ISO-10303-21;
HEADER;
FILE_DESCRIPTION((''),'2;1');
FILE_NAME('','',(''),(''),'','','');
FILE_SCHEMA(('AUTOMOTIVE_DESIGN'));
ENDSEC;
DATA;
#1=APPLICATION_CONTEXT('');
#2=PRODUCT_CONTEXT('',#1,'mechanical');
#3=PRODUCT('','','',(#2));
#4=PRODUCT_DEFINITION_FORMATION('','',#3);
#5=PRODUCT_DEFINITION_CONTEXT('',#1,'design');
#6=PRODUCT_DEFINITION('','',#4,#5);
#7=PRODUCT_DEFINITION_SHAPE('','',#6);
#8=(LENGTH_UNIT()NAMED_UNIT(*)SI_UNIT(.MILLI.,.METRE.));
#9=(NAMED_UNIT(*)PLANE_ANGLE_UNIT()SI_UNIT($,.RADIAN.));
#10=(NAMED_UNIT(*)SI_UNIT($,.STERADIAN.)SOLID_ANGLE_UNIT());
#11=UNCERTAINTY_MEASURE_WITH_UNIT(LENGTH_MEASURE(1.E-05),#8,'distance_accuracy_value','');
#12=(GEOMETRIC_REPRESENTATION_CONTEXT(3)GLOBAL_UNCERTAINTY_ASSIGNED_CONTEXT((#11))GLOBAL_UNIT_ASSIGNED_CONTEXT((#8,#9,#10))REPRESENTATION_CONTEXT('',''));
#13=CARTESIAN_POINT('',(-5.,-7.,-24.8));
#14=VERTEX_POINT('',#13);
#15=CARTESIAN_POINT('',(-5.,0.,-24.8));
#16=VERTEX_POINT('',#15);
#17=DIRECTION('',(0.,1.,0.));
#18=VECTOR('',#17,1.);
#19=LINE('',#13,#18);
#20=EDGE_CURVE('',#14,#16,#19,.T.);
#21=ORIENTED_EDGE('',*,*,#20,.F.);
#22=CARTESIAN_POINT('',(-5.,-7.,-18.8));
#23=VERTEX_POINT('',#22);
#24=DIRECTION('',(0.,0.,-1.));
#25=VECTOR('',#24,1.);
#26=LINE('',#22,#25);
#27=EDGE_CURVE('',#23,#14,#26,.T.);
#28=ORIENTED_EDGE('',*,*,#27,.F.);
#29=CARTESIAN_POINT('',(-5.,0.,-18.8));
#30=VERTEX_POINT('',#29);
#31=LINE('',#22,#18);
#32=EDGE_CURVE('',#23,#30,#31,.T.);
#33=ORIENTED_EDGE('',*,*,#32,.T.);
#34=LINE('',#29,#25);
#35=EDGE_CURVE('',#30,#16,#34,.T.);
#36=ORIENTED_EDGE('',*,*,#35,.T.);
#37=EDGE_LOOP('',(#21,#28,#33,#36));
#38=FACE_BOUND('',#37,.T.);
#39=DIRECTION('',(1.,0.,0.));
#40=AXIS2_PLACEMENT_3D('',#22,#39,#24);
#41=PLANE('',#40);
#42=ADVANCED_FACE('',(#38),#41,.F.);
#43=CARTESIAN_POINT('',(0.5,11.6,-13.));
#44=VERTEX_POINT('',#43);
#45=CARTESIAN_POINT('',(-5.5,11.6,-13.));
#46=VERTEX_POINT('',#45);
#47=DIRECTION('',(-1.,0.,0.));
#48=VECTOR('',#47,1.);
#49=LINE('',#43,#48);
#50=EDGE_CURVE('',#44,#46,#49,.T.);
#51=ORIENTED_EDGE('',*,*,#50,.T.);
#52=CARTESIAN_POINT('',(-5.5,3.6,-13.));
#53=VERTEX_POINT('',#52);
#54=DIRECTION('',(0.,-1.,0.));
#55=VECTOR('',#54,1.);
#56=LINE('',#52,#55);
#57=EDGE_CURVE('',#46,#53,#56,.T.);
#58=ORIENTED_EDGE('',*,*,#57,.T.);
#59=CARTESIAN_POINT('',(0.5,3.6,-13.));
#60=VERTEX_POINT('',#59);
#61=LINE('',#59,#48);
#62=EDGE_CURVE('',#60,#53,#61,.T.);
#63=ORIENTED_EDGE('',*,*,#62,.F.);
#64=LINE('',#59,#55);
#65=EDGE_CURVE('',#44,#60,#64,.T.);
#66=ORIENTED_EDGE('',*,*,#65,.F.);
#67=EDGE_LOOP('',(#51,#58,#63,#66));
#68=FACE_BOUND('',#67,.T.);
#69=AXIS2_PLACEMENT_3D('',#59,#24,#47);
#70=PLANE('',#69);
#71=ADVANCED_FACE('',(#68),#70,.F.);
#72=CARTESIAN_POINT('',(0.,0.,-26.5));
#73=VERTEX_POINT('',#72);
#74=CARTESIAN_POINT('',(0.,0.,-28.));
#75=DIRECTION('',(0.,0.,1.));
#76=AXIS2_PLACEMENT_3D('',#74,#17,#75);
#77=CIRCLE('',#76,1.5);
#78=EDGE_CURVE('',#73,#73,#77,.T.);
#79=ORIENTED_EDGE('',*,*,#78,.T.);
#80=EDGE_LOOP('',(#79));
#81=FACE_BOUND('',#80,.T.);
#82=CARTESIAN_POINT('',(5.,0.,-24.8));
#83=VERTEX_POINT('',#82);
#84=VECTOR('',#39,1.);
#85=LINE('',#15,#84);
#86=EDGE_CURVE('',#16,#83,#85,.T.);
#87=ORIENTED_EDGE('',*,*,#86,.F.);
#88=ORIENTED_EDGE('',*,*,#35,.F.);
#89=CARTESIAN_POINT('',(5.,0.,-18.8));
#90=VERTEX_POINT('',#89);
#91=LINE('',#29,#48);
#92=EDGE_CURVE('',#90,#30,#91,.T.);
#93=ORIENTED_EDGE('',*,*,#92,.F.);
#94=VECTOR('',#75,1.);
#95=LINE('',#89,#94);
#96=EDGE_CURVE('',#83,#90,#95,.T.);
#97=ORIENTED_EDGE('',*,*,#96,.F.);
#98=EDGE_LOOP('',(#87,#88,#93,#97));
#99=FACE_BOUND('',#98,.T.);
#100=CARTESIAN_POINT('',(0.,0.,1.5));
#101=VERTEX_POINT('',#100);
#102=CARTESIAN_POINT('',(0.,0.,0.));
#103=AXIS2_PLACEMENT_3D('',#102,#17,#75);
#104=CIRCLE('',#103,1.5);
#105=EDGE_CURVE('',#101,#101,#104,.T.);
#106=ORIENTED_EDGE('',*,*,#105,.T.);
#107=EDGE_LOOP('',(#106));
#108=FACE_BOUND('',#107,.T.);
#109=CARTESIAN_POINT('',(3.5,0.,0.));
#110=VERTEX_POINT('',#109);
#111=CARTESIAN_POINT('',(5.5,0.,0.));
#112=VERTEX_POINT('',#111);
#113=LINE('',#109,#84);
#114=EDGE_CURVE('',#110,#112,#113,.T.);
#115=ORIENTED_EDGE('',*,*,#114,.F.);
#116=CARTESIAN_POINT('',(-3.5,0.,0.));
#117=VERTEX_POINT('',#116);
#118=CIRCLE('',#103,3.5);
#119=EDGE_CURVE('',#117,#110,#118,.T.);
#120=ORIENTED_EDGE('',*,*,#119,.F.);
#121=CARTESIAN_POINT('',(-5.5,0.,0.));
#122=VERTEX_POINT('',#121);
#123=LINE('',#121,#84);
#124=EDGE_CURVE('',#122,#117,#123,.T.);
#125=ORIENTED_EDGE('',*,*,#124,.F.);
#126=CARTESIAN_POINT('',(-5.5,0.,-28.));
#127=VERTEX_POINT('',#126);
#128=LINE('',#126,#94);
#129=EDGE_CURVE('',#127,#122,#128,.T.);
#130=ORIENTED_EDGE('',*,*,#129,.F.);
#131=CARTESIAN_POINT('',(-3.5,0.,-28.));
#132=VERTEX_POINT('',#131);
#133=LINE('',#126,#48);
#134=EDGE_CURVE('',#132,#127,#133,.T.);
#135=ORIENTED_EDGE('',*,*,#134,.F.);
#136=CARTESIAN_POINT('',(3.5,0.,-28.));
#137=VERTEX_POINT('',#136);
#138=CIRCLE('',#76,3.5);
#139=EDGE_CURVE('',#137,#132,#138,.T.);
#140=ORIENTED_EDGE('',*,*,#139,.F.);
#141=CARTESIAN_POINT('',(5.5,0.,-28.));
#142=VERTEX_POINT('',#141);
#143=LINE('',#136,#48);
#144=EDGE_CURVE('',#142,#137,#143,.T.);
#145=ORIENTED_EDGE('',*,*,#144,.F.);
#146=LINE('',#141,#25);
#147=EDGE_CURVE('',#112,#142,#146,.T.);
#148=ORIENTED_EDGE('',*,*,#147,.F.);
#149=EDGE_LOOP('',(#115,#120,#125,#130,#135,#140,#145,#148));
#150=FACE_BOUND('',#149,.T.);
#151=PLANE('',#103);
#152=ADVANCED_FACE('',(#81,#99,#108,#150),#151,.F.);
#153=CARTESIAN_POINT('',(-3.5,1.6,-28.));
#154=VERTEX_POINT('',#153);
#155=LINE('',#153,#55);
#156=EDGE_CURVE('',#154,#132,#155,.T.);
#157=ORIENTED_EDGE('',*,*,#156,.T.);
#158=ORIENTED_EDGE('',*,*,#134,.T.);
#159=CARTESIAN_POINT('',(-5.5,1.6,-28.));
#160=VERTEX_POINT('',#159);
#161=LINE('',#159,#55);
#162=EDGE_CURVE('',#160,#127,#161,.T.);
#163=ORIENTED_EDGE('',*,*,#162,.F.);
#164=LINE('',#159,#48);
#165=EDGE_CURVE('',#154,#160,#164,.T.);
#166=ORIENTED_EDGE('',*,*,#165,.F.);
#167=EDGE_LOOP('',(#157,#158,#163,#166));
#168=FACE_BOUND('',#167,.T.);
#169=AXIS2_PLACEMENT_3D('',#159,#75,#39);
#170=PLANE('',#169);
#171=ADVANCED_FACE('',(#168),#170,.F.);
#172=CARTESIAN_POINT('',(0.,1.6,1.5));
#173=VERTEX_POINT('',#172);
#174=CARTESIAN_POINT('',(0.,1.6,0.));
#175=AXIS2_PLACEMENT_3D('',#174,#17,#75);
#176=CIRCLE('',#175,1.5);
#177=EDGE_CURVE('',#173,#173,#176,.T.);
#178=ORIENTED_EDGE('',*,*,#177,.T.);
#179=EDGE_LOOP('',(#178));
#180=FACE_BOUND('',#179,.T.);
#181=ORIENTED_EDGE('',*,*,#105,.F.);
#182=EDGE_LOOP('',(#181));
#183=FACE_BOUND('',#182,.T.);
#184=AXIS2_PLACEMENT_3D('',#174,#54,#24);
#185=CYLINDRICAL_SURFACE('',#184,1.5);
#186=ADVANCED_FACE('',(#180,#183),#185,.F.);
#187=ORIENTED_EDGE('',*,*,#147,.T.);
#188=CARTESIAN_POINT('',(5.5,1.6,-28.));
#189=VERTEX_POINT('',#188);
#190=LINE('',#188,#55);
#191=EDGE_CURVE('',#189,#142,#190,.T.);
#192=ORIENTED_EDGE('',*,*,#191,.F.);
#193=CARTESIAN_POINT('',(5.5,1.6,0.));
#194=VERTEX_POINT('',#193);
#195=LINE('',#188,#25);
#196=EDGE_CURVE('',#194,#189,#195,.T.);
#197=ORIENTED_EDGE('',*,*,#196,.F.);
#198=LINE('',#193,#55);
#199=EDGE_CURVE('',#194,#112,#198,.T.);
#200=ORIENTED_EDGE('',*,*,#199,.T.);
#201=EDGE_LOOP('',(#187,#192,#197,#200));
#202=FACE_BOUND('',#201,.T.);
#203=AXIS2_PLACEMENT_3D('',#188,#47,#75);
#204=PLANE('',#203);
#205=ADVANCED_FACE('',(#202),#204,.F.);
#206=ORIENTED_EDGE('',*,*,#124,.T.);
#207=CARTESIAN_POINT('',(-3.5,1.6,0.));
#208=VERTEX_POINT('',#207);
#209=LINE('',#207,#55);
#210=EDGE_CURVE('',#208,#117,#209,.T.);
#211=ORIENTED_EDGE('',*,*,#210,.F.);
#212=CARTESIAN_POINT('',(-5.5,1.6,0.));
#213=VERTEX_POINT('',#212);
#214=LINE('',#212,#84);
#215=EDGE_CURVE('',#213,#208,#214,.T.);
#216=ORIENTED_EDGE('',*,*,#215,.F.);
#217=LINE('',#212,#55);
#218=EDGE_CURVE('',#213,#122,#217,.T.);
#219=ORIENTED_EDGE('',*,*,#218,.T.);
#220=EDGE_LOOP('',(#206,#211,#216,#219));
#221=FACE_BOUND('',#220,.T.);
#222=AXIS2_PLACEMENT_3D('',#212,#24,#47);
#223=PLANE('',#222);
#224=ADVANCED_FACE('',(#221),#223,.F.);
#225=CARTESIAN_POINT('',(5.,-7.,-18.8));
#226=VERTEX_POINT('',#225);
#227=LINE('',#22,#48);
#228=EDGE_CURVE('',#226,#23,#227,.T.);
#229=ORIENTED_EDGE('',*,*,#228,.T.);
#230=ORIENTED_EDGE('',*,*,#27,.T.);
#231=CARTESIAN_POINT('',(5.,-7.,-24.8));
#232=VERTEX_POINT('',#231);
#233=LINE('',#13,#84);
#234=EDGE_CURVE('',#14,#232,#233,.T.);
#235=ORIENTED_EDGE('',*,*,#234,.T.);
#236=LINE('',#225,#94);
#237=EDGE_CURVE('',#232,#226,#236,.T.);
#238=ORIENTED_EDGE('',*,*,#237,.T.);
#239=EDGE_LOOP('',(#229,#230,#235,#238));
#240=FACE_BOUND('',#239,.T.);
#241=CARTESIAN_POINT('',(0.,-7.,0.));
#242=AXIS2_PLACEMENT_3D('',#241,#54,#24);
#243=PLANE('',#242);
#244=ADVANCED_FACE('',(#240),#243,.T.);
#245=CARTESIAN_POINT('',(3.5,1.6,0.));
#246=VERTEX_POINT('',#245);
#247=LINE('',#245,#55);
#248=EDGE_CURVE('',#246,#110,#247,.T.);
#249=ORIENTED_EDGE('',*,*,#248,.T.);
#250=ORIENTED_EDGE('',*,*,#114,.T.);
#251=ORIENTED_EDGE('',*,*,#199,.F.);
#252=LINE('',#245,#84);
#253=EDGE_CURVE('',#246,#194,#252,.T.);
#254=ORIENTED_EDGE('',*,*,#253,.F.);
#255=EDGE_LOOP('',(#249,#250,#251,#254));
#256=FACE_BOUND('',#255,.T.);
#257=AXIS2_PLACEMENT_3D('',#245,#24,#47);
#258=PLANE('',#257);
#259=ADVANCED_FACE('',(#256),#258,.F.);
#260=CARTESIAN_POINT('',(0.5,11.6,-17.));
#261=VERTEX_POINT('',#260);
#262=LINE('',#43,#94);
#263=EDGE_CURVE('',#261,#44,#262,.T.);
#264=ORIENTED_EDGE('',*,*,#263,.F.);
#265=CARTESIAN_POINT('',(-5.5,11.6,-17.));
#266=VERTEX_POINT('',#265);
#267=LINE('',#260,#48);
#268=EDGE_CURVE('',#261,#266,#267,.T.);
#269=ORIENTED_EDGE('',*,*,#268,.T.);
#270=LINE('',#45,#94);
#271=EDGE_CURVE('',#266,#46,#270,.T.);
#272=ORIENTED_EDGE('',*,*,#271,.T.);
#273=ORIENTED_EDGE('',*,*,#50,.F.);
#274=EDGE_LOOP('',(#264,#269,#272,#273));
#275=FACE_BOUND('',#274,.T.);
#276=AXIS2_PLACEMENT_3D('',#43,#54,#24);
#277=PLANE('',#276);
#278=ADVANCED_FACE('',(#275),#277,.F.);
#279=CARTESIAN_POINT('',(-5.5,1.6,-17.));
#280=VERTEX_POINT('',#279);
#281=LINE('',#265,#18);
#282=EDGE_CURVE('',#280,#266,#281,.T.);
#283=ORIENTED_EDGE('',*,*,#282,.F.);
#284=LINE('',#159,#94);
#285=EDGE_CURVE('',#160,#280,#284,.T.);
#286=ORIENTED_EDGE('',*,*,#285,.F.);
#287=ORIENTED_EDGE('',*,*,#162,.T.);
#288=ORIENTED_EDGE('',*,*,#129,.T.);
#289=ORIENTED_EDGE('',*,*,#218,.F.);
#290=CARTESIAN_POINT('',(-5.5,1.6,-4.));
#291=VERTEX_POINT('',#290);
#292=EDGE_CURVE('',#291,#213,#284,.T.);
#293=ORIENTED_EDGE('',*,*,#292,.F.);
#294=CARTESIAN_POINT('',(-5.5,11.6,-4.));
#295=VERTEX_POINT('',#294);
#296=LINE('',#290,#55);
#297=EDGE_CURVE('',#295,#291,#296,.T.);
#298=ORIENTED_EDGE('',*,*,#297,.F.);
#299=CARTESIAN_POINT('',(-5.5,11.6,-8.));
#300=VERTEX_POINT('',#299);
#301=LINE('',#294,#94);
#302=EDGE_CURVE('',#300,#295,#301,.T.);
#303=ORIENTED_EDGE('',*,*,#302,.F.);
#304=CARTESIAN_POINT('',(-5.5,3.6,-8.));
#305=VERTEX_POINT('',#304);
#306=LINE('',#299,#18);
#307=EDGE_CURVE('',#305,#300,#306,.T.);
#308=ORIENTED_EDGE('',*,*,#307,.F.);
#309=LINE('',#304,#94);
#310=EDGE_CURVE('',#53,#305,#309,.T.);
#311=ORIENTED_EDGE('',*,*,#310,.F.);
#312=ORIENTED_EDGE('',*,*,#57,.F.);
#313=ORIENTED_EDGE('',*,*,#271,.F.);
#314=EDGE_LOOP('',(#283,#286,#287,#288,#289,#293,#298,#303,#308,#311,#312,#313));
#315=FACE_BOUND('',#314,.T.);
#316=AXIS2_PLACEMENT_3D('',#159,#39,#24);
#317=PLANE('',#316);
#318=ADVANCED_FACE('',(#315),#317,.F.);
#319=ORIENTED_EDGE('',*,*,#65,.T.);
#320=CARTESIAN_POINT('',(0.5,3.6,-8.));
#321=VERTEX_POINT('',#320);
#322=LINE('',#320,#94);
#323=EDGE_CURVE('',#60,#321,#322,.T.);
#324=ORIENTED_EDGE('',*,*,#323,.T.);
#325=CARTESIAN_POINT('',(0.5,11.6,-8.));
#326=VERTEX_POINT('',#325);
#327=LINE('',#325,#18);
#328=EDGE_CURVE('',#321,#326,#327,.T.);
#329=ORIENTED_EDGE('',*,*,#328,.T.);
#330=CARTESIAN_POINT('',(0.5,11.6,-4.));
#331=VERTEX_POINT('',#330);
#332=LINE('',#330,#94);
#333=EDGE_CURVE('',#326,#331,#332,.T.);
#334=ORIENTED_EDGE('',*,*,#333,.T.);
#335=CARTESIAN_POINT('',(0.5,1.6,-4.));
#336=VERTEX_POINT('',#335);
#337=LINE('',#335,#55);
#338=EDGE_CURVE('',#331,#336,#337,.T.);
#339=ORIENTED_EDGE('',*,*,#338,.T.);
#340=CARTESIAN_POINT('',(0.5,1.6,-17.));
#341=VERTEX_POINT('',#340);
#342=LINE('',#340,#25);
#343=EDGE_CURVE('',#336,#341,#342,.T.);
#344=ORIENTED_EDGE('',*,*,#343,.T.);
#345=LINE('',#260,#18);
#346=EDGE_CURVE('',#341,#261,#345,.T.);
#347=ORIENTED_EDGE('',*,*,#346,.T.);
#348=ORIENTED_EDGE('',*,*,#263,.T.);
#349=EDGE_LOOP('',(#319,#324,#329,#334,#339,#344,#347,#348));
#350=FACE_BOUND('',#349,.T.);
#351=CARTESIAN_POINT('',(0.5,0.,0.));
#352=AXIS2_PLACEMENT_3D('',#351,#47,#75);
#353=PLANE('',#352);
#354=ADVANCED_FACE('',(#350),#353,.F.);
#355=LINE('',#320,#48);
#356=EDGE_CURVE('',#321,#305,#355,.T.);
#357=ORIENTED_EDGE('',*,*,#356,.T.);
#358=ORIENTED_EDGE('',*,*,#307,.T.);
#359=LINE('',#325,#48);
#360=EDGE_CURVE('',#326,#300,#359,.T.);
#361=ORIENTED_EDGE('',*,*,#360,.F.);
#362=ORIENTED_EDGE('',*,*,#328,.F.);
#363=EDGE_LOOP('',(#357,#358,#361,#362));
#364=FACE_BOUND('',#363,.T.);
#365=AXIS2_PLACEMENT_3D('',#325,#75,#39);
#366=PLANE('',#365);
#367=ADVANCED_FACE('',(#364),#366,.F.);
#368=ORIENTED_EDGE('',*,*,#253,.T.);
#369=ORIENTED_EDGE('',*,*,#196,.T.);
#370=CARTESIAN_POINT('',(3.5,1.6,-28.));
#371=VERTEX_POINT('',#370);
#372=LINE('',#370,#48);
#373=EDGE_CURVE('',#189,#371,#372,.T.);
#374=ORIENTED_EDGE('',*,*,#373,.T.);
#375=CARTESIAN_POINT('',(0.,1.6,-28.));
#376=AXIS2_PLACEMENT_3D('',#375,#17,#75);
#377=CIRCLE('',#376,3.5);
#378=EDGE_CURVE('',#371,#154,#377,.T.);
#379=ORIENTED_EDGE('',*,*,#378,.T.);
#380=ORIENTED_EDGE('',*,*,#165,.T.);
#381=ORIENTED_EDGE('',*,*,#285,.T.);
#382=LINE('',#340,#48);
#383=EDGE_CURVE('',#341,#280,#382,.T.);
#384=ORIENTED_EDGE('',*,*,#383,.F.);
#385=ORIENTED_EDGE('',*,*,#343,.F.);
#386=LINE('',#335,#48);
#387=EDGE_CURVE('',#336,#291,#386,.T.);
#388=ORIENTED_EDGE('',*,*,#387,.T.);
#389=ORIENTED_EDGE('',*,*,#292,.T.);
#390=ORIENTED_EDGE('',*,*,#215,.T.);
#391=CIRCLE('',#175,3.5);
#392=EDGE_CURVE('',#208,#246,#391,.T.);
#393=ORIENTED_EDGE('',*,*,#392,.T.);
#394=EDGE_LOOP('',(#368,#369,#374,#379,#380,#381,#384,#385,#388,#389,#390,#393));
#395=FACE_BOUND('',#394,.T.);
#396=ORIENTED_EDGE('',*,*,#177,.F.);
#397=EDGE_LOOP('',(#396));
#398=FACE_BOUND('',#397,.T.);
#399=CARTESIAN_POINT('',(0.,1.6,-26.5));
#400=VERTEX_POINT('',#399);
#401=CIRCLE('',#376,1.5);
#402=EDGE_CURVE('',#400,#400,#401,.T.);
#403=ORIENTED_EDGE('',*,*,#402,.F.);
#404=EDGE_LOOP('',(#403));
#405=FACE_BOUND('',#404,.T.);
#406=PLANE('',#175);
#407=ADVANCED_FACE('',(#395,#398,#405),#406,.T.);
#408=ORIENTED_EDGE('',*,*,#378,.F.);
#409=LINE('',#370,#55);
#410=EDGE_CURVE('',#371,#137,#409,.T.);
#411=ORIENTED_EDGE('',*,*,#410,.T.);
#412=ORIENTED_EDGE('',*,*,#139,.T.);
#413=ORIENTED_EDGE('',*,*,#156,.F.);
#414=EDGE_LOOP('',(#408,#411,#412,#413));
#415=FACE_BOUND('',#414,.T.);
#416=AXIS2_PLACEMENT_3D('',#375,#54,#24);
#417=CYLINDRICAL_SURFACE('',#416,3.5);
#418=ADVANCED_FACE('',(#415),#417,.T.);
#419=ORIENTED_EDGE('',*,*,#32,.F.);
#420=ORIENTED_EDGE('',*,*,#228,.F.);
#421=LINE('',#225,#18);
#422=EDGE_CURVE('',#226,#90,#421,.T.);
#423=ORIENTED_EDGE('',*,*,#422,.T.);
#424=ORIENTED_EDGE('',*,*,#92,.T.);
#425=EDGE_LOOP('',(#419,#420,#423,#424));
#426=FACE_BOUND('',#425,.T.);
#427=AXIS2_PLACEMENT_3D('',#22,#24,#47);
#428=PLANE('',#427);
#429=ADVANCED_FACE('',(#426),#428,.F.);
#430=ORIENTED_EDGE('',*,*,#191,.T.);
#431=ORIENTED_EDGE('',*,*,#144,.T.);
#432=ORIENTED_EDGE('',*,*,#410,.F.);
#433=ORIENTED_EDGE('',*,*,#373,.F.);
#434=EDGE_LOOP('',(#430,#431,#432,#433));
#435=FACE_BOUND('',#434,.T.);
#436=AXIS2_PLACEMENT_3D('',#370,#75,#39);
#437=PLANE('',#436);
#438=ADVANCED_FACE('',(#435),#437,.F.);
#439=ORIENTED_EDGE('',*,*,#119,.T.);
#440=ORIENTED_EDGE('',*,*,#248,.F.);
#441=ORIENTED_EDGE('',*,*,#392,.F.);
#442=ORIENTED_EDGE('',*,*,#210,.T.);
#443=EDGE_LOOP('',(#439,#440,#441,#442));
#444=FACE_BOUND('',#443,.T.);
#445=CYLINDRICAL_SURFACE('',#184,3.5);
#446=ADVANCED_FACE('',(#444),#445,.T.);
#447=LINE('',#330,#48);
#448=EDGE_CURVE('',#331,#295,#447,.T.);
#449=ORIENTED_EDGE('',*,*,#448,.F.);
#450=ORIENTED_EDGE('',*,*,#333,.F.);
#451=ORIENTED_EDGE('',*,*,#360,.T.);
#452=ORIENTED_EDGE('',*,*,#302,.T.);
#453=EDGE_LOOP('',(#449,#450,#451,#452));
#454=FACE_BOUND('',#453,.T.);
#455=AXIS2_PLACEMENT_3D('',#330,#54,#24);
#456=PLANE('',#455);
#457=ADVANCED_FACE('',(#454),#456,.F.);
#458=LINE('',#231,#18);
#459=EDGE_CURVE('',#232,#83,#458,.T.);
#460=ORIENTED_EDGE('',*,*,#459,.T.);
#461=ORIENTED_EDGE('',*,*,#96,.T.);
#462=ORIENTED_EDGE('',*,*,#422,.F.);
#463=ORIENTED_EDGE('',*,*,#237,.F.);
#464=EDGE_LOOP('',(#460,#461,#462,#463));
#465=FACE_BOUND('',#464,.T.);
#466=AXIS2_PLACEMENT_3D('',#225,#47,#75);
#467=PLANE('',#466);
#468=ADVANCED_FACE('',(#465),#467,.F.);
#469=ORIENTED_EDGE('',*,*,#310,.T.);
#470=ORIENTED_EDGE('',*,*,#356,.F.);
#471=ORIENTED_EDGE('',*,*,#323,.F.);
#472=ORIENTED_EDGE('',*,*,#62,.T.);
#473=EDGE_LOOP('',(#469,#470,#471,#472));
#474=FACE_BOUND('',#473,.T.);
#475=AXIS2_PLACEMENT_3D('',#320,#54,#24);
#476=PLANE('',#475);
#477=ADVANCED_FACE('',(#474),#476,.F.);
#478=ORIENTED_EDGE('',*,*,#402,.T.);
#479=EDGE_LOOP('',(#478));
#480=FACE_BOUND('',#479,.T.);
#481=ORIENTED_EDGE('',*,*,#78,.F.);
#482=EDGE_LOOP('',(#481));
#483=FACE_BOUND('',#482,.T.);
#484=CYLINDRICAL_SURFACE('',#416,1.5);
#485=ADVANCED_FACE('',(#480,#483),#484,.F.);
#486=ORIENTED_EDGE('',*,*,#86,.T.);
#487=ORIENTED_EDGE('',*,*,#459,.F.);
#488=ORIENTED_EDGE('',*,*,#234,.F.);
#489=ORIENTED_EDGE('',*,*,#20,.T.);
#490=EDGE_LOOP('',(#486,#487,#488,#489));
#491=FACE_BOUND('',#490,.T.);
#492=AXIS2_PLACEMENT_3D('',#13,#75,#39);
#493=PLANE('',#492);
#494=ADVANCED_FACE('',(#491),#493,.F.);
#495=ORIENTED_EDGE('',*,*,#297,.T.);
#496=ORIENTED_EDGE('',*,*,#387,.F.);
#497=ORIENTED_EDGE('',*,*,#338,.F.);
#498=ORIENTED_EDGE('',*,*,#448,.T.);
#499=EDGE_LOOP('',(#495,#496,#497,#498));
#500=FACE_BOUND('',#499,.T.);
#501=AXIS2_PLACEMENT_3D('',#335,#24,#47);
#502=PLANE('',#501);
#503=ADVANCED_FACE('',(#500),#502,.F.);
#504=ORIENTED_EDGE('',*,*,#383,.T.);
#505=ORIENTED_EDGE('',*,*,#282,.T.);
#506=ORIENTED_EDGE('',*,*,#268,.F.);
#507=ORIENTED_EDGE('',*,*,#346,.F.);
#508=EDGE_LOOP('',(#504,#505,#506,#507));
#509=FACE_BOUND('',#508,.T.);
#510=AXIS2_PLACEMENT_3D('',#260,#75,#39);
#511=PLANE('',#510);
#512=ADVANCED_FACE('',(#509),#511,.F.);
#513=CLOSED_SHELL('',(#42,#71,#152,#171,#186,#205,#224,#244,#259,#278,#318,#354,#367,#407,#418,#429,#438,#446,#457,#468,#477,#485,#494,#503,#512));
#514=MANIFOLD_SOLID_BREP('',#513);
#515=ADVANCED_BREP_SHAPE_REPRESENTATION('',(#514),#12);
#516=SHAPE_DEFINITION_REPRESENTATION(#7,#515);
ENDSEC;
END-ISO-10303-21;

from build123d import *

# Parameters (mm, degrees)
SKETCH1_R           = 1.5
BOSS_EXTRUDE1_DEPTH = 1.6
BOSS_EXTRUDE2_START = -11
BOSS_EXTRUDE2_DEPTH = 6
SKETCH5_W           = 10
SKETCH5_H           = 6
BOSS_EXTRUDE3_DEPTH = 7


with BuildPart() as part:
    # Sketch1 → Boss-Extrude1 (new body)
    with BuildSketch(Plane(origin=(0, 0, 0), x_dir=(1, 0, 0), z_dir=(0, 1, 0))):
        with BuildLine():
            Line((-5.5, 28), (-3.5, 28))
            ThreePointArc((-3.5, 28), (0, 31.5), (3.5, 28))
            Line((3.5, 28), (5.5, 28))
            Line((5.5, 28), (5.5, 0))
            Line((5.5, 0), (3.5, 0))
            ThreePointArc((3.5, 0), (0, -3.5), (-3.5, 0))
            Line((-3.5, 0), (-5.5, 0))
            Line((-5.5, 0), (-5.5, 28))
        make_face()
        Circle(SKETCH1_R, mode=Mode.SUBTRACT)
        with Locations((0, 28)):
            Circle(SKETCH1_R, mode=Mode.SUBTRACT)
    extrude(amount=BOSS_EXTRUDE1_DEPTH)

    # Sketch3 → Boss-Extrude2 (add)
    with BuildSketch(Plane(origin=(5.5, 0, 0), x_dir=(0, 0, -1), z_dir=(1, 0, 0)).offset(BOSS_EXTRUDE2_START)):
        Polygon((4, 1.6), (4, 11.6), (8, 11.6), (8, 3.6), (13, 3.6), (13, 11.6), (17, 11.6), (17, 1.6), align=None)
    extrude(amount=BOSS_EXTRUDE2_DEPTH)

    # Sketch5 → Boss-Extrude3 (add)
    with BuildSketch(Plane.XZ):
        with Locations((0, -21.8)):
            Rectangle(SKETCH5_W, SKETCH5_H)
    extrude(amount=BOSS_EXTRUDE3_DEPTH)


solid = part.part
